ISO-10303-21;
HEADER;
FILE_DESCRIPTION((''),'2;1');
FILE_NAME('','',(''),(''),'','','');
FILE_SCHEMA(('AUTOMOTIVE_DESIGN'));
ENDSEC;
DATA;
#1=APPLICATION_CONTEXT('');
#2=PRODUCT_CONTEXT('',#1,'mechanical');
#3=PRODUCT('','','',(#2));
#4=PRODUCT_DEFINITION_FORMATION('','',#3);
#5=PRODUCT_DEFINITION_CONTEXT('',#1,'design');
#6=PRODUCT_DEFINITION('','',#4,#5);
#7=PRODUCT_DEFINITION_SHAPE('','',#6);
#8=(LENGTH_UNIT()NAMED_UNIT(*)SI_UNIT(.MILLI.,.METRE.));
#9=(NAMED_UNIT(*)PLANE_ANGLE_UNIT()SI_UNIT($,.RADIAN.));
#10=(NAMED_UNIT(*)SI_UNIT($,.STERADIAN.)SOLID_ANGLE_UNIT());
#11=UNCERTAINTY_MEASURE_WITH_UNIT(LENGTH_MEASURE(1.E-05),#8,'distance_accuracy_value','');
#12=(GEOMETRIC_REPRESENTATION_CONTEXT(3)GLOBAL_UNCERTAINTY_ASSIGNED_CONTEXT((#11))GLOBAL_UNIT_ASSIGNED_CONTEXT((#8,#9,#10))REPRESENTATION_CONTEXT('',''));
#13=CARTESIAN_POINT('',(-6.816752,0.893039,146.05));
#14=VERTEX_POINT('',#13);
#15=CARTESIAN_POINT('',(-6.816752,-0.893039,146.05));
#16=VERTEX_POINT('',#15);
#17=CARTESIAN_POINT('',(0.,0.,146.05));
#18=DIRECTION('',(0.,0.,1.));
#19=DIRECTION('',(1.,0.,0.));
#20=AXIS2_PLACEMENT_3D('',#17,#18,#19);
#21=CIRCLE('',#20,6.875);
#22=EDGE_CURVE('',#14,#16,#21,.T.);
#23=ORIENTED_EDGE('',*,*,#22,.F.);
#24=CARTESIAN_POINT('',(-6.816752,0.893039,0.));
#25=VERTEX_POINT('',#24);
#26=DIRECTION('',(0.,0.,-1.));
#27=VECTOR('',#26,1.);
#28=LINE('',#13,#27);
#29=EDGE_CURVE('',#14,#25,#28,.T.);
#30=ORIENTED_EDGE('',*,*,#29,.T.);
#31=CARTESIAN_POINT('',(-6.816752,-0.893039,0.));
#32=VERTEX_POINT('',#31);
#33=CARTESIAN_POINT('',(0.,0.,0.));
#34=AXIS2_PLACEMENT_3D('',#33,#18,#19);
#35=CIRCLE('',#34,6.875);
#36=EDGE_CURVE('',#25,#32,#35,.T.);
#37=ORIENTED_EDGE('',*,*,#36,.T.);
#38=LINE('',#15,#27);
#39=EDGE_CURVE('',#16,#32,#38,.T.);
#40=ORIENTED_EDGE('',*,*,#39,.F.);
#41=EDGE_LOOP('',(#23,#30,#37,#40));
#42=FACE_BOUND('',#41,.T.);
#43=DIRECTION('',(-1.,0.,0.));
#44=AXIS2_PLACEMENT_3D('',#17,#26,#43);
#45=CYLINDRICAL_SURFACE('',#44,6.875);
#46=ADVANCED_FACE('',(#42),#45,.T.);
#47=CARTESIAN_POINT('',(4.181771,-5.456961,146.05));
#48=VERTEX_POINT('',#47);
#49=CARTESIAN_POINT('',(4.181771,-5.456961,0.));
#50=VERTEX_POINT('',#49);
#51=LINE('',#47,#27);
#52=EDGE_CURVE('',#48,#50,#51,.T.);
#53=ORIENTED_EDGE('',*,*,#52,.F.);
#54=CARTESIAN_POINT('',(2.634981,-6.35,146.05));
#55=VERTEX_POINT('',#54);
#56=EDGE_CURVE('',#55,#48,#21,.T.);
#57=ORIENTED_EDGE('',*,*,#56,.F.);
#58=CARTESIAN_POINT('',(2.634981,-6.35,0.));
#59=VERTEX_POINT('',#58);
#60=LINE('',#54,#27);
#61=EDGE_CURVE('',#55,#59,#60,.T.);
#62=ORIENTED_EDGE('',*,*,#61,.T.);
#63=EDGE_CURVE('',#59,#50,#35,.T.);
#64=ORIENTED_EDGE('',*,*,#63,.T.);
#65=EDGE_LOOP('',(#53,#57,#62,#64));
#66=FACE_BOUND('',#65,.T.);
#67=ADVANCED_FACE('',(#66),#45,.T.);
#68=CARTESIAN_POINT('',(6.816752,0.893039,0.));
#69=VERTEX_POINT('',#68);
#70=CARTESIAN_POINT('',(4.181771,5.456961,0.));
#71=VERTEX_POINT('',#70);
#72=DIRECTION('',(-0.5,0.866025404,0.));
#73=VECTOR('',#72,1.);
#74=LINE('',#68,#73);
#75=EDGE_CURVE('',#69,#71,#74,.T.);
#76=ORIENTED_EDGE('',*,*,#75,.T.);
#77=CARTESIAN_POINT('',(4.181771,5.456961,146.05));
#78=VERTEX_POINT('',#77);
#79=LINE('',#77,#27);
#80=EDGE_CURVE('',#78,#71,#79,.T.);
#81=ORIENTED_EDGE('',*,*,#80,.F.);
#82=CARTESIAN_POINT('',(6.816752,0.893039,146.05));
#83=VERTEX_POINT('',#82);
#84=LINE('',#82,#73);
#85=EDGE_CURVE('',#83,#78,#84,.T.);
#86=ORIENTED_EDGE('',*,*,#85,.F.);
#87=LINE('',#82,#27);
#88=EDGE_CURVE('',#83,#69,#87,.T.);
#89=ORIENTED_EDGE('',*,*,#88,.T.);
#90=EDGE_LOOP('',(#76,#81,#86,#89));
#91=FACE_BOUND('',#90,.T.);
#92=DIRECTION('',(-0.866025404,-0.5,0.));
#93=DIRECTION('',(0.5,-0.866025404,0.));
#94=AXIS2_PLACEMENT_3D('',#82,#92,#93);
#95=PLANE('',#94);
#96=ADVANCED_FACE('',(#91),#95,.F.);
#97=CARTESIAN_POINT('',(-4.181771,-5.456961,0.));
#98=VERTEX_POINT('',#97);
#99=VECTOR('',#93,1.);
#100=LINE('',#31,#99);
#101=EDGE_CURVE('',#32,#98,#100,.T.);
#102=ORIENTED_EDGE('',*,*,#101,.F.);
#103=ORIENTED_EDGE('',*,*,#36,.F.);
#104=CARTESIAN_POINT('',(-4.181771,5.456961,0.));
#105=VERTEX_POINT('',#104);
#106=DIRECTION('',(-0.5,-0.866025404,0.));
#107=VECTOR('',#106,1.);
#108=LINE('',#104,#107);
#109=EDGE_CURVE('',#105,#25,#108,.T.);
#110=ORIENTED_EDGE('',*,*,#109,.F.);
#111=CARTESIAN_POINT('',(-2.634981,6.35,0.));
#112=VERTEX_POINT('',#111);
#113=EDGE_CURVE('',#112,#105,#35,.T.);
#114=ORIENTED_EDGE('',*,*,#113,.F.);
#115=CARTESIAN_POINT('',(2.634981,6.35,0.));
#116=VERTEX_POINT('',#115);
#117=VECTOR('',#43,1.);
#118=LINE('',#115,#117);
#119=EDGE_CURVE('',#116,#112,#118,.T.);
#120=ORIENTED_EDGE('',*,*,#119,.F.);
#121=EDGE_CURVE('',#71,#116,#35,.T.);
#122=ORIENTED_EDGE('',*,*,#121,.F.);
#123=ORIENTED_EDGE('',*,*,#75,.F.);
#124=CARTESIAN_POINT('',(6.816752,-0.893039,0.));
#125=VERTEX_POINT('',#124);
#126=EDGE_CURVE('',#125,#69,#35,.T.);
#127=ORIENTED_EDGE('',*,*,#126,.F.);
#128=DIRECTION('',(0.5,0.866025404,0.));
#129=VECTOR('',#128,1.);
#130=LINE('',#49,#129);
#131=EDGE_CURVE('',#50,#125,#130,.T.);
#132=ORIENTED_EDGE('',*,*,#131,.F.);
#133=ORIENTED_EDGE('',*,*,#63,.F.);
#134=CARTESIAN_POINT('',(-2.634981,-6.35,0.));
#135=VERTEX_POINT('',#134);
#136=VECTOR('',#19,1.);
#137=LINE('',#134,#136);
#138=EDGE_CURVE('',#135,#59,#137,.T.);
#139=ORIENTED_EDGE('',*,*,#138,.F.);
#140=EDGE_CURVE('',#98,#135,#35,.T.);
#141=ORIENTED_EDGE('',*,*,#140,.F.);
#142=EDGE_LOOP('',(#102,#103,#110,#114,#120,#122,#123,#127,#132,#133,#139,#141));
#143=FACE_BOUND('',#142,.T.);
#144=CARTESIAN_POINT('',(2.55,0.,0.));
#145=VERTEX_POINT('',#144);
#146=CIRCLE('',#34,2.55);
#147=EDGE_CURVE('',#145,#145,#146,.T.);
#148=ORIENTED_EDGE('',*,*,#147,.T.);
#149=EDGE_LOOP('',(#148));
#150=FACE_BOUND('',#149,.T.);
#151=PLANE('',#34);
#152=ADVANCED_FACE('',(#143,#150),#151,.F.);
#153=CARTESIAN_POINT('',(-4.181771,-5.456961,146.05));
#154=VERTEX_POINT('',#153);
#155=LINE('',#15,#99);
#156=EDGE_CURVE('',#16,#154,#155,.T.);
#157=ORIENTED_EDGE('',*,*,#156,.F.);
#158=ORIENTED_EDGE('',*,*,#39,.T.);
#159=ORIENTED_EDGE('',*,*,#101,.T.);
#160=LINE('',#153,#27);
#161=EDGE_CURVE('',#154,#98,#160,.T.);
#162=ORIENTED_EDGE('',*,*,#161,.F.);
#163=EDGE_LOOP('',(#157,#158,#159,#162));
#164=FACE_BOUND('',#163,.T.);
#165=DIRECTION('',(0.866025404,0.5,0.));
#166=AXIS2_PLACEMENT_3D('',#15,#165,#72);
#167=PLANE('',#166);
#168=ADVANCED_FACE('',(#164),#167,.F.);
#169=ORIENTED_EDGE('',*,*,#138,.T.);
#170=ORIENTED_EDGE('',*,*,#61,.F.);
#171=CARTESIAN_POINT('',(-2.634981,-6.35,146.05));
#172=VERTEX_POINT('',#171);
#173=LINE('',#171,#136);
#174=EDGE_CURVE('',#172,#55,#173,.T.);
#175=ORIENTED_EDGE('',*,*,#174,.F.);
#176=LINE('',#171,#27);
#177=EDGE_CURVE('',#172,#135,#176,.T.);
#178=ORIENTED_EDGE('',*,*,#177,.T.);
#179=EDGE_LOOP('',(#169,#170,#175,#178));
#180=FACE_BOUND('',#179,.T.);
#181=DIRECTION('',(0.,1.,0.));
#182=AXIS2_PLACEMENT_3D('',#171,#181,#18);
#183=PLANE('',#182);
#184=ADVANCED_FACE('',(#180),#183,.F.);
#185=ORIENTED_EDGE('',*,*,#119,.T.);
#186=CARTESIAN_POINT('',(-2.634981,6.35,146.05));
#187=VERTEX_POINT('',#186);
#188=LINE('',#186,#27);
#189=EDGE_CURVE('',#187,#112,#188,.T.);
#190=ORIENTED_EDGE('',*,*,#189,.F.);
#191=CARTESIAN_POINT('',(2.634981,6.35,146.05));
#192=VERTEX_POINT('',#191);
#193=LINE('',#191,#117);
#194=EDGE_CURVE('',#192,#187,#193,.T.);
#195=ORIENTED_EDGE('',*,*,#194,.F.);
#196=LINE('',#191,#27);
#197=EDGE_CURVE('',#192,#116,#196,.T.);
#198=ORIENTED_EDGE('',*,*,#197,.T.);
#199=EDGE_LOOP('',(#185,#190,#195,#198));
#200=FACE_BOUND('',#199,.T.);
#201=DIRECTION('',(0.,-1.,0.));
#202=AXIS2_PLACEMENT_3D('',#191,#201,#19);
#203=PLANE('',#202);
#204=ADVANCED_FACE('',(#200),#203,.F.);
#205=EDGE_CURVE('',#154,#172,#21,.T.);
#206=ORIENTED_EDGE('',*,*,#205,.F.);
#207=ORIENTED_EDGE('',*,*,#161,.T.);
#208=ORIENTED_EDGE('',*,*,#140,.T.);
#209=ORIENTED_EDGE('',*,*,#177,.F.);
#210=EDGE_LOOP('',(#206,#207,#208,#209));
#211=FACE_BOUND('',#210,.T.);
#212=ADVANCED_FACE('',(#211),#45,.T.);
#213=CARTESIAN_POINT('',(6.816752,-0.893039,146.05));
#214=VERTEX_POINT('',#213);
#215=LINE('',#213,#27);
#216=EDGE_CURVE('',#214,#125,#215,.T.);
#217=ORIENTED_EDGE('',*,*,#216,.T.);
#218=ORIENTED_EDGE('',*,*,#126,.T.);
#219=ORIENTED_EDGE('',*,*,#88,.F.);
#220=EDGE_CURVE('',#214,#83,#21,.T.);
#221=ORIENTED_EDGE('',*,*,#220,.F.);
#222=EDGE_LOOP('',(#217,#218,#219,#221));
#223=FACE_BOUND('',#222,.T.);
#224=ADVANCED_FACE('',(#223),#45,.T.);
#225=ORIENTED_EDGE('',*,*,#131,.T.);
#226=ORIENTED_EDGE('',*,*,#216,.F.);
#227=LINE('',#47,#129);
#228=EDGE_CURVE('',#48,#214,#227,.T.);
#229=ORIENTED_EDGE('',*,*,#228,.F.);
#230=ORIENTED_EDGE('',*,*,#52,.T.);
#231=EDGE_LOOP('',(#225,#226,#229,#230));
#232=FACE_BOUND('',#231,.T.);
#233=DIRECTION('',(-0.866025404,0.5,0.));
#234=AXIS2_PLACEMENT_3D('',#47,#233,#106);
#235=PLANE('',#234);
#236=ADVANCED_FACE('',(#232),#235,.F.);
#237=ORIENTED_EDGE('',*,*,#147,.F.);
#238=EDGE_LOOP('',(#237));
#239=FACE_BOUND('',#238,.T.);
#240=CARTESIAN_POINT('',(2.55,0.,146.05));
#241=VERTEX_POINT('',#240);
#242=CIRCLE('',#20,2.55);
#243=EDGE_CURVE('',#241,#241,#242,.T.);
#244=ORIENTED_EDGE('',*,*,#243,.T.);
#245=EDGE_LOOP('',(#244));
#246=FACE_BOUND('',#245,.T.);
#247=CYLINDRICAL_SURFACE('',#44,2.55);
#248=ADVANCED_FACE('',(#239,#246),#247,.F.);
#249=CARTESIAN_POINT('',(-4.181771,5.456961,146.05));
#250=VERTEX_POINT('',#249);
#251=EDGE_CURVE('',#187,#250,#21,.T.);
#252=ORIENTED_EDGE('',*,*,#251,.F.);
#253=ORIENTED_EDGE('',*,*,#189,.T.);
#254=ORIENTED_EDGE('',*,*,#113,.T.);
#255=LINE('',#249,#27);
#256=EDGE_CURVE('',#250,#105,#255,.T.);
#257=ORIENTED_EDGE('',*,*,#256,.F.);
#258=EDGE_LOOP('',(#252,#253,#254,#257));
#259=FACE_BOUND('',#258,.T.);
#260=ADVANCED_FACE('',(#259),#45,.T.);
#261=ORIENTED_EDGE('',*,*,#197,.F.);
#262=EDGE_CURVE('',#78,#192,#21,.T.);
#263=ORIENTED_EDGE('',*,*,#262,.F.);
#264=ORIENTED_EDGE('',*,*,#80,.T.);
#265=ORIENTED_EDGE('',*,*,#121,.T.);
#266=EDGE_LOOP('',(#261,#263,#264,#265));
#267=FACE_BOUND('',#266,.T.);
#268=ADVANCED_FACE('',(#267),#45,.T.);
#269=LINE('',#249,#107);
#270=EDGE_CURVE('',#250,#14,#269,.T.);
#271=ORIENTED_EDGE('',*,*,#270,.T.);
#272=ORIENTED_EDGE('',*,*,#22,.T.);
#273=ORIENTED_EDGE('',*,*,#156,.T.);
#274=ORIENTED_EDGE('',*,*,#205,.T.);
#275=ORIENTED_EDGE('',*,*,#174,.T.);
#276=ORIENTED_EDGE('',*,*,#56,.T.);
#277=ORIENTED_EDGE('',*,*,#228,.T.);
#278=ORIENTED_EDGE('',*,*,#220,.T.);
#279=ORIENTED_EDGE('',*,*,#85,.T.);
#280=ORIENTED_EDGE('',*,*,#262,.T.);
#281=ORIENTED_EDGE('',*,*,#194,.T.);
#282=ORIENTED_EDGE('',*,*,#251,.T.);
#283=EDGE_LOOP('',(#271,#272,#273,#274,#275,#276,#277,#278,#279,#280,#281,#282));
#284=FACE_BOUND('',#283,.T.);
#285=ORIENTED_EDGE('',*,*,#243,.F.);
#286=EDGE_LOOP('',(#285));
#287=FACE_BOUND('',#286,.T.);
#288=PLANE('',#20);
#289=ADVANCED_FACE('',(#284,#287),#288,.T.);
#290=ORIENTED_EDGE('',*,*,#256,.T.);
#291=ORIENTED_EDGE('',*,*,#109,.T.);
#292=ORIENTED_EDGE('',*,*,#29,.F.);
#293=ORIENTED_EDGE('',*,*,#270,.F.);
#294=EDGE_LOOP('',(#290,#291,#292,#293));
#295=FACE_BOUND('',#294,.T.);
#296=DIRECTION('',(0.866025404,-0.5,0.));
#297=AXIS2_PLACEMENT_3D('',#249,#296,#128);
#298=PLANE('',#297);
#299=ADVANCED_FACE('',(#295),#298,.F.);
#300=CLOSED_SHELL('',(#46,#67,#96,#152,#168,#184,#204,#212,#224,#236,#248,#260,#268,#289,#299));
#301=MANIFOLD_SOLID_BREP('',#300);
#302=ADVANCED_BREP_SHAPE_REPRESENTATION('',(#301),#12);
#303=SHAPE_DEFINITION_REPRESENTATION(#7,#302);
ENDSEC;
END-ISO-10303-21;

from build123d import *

# Parameters (mm, degrees)
SKETCH1_R           = 2.55
BOSS_EXTRUDE1_DEPTH = 146.05


with BuildPart() as part:
    # Sketch1 → Boss-Extrude1 (new body)
    with BuildSketch(Plane.XY):
        with BuildLine():
            Line((2.634981025, 6.35), (-2.634981025, 6.35))
            ThreePointArc((-2.634981025, 6.35), (-3.4375, 5.953924651), (-4.181770802, 5.456960506))
            Line((-4.181770802, 5.456960506), (-6.816751826, 0.893039494))
            ThreePointArc((-6.816751826, 0.893039494), (-6.875, 0), (-6.816751826, -0.893039494))
            Line((-6.816751826, -0.893039494), (-4.181770802, -5.456960506))
            ThreePointArc((-4.181770802, -5.456960506), (-3.4375, -5.953924651), (-2.634981025, -6.35))
            Line((-2.634981025, -6.35), (2.634981025, -6.35))
            ThreePointArc((2.634981025, -6.35), (3.4375, -5.953924651), (4.181770802, -5.456960506))
            Line((4.181770802, -5.456960506), (6.816751826, -0.893039494))
            ThreePointArc((6.816751826, -0.893039494), (6.875, 0), (6.816751826, 0.893039494))
            Line((6.816751826, 0.893039494), (4.181770802, 5.456960506))
            ThreePointArc((4.181770802, 5.456960506), (3.4375, 5.953924651), (2.634981025, 6.35))
        make_face()
        Circle(SKETCH1_R, mode=Mode.SUBTRACT)
    extrude(amount=BOSS_EXTRUDE1_DEPTH)


solid = part.part
